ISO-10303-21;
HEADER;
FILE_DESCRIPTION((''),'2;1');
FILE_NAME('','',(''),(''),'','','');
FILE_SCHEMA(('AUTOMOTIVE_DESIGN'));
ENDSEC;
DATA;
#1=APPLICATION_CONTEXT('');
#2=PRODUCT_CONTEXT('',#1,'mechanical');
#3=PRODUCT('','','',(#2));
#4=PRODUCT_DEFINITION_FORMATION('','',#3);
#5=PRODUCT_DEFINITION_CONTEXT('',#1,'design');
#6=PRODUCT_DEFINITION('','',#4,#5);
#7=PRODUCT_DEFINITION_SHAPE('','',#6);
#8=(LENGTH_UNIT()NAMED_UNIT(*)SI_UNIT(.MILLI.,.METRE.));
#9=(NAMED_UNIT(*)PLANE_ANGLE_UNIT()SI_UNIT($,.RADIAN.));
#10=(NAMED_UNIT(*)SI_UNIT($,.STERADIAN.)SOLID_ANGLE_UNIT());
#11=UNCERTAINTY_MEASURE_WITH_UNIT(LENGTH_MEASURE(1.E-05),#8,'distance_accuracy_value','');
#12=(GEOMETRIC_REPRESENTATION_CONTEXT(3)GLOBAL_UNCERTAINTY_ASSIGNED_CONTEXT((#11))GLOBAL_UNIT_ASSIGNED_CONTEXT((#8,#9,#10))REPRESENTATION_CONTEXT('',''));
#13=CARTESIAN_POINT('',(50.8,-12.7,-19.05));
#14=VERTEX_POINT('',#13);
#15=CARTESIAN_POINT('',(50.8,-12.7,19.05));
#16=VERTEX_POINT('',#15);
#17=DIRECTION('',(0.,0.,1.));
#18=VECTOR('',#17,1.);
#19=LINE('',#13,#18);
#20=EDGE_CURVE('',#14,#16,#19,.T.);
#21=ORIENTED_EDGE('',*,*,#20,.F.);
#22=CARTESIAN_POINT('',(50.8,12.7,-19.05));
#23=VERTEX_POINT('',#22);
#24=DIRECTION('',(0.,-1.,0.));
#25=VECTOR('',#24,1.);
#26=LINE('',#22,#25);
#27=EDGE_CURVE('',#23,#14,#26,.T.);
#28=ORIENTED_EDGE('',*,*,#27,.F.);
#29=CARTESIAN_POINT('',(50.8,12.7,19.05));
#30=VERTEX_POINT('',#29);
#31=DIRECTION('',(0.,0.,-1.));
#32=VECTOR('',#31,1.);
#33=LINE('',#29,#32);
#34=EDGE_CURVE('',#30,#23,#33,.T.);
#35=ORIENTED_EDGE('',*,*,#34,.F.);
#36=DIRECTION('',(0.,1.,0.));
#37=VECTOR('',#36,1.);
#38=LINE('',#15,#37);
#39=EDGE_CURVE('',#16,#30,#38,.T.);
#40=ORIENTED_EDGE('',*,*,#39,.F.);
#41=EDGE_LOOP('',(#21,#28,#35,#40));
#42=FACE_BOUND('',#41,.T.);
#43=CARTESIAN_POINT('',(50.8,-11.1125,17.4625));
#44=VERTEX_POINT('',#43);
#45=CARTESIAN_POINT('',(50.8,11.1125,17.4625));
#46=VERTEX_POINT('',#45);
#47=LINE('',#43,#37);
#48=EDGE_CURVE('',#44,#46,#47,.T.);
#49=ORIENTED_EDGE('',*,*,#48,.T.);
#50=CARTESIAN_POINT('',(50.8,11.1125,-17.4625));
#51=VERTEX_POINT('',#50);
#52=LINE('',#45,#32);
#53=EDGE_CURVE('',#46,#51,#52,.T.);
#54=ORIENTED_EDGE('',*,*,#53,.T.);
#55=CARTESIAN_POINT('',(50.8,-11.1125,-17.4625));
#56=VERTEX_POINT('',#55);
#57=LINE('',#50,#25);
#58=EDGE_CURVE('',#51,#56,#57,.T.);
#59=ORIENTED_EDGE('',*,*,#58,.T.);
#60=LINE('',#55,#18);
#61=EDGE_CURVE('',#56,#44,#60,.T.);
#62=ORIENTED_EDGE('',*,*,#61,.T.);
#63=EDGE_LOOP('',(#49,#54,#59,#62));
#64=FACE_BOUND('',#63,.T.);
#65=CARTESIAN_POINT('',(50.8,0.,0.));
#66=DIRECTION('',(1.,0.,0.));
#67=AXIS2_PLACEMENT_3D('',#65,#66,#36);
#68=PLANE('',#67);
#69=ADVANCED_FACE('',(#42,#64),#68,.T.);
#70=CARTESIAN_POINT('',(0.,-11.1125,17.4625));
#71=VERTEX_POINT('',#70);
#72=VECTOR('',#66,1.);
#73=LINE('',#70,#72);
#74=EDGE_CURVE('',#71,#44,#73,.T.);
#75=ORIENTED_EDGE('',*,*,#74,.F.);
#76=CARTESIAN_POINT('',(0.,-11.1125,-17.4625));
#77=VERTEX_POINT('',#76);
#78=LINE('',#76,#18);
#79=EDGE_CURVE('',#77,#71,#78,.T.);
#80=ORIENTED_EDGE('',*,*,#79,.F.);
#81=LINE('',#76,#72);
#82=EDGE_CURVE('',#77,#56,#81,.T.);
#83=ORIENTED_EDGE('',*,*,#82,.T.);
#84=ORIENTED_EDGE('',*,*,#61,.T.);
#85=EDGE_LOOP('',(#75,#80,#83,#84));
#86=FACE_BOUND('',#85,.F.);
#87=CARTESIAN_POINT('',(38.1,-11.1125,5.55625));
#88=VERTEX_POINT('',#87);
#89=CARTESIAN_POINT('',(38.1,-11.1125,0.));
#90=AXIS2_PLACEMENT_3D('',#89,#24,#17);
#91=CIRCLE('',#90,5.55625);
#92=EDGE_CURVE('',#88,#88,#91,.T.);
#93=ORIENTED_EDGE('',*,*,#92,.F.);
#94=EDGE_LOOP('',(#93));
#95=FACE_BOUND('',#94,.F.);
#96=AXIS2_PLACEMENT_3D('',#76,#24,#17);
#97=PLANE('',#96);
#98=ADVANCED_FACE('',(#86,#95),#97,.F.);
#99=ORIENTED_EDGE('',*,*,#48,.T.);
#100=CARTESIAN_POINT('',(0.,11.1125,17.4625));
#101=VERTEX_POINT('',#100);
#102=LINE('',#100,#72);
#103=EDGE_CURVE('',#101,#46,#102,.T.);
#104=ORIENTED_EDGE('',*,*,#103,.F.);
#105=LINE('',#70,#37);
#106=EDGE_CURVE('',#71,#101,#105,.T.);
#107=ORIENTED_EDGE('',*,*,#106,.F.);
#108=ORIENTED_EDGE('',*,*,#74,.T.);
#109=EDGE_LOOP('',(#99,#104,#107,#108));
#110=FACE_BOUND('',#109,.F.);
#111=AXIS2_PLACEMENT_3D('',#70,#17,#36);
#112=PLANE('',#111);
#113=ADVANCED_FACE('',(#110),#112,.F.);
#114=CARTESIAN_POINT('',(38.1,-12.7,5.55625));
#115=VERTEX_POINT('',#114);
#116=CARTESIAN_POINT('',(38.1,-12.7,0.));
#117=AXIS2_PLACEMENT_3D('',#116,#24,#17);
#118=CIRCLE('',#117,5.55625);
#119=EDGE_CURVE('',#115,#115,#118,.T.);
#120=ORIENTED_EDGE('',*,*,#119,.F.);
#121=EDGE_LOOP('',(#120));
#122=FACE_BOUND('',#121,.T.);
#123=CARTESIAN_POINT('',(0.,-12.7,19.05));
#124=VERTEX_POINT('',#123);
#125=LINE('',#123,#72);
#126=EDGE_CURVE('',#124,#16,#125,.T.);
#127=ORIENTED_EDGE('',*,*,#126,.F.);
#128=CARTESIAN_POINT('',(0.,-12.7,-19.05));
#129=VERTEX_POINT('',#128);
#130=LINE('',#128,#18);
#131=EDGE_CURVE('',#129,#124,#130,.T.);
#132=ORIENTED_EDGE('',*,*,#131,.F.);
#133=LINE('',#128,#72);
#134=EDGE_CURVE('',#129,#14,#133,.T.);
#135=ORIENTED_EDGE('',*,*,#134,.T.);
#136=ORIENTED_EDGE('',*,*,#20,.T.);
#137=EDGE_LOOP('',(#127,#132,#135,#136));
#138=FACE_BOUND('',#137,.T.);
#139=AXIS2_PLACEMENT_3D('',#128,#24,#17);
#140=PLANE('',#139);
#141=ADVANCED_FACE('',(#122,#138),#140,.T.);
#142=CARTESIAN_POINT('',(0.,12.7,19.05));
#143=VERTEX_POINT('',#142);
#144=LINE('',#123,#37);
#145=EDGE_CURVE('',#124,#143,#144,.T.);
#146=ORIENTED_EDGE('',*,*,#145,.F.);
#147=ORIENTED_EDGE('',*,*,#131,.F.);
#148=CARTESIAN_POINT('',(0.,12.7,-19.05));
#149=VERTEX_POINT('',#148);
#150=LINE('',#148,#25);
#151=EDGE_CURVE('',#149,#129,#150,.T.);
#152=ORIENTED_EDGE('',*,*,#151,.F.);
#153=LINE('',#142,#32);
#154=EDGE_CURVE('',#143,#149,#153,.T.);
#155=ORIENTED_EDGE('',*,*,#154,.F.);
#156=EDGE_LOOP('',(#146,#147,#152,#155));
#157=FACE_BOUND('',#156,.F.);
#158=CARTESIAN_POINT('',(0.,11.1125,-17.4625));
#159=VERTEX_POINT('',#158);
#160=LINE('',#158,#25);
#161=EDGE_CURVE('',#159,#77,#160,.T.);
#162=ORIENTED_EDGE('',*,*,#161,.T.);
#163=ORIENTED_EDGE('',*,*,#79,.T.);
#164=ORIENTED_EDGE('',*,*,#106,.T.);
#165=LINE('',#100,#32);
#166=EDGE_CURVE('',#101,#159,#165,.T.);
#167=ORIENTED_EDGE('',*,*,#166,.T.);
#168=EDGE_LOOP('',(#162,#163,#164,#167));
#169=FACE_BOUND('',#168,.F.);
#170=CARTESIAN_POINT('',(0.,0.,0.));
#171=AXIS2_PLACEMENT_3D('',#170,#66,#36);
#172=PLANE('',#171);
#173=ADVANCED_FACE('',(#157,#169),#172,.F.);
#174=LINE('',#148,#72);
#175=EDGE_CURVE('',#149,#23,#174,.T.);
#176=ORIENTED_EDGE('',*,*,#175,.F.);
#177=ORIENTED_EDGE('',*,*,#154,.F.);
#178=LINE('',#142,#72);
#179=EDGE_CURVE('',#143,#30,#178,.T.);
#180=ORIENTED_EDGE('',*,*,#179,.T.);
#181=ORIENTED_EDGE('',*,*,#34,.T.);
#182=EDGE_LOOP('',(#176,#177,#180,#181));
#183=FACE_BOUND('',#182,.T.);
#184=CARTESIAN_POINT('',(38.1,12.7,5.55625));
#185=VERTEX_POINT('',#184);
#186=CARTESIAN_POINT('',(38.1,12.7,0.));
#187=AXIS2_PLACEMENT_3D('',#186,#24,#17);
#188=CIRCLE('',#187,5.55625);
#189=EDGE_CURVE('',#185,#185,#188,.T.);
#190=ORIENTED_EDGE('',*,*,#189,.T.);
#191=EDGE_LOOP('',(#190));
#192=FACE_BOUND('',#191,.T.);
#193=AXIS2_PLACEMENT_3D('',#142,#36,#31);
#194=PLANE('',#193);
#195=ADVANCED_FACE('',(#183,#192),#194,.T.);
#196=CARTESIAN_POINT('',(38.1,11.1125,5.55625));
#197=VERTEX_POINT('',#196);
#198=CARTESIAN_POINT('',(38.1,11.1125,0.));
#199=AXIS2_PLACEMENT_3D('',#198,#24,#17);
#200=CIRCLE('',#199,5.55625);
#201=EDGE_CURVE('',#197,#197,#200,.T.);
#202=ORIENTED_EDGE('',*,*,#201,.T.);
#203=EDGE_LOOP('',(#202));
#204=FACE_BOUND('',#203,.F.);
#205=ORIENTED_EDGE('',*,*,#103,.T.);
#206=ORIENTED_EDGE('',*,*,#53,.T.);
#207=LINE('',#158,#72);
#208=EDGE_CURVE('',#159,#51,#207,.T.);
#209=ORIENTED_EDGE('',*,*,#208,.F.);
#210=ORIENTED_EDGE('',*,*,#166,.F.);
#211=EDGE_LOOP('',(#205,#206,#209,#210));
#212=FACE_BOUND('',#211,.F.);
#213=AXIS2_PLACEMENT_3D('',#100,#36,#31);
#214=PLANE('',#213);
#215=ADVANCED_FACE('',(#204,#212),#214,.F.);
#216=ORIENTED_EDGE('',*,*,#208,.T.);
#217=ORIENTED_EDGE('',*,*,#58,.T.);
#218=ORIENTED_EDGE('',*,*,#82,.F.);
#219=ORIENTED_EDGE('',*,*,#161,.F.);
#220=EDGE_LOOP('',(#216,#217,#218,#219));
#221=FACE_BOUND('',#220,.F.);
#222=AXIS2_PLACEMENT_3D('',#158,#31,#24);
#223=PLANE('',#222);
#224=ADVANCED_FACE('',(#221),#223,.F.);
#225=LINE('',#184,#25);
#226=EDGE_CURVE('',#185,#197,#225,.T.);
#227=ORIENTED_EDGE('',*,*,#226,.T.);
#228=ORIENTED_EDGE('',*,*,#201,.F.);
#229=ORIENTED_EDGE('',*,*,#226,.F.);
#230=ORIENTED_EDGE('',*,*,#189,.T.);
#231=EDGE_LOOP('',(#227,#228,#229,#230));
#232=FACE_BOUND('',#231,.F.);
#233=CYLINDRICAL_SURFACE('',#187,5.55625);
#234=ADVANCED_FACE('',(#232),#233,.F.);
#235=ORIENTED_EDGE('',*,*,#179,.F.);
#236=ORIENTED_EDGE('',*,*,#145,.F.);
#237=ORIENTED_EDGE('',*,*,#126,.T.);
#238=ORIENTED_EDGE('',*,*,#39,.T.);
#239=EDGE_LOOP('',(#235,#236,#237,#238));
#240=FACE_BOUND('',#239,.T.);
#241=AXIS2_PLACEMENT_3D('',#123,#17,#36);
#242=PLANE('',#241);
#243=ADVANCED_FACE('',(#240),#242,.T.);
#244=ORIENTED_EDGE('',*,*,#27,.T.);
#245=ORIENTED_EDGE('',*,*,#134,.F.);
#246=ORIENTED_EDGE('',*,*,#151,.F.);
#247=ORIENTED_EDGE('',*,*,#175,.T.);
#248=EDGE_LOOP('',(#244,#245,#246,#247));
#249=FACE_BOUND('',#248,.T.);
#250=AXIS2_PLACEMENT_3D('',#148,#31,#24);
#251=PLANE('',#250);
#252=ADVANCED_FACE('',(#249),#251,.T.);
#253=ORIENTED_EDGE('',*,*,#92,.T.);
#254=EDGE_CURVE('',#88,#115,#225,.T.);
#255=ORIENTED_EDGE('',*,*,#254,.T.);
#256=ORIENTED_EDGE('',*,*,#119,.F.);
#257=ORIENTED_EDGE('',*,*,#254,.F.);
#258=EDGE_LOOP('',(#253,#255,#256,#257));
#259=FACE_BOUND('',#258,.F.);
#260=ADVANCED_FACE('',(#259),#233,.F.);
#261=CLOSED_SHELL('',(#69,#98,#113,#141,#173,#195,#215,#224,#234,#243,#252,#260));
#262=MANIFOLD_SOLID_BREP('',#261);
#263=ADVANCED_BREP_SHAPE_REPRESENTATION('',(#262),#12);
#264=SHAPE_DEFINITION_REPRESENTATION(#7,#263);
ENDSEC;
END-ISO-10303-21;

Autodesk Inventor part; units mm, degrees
ref_plane "Work Plane3" through (0, 12.7, 0) normal (0, 1, 0) x (-1, 0, 0)
ref_plane "Start Plane" through (0, 0, 0) normal (1, 0, 0) x (0, 1, 0)
ref_plane "End Plane" through (50.8, 0, 0) normal (1, 0, 0) x (0, 1, 0)
sketch "Sketch" plane through (0, 0, 0) normal (1, 0, 0) x (0, 1, 0)
  line L0 (-12.7, 19.05) -> (12.7, 19.05)
  line L1 (12.7, 19.05) -> (12.7, -19.05)
  line L2 (12.7, -19.05) -> (-12.7, -19.05)
  line L3 (-12.7, -19.05) -> (-12.7, 19.05)
  line L4 (-12.7, 19.05) -> (12.7, -19.05) construction
  line L5 (12.7, 19.05) -> (-12.7, -19.05) construction
  line L6 (-11.1125, 17.4625) -> (11.1125, 17.4625)
  line L7 (11.1125, 17.4625) -> (11.1125, -17.4625)
  line L8 (11.1125, -17.4625) -> (-11.1125, -17.4625)
  line L9 (-11.1125, -17.4625) -> (-11.1125, 17.4625)
  line L10 (-11.1125, 17.4625) -> (11.1125, -17.4625) construction
  line L11 (11.1125, 17.4625) -> (-11.1125, -17.4625) construction
  point P0 (0, 0)
  dimension "d0" = 38.1
  dimension "d1" = 25.4
  dimension "d2" = 1.5875
  dimension "d3" = 1.5875
extrude "Body" add sketch "Sketch" along normal up to surface (50.8 mm away) from surface at 0
sketch "Sketch8" plane through (0, 0, 0) normal (1, 0, 0) x (0, 1, 0)
  line L0 (0, 0) -> (10, 0)
ref_plane "Work Plane6" through (0, 0, 0) normal (0, 0, -1) x (0, 1, 0)
sketch "Sketch9" plane through (0, 0, 0) normal (0, 0, -1) x (0, 1, 0)
  line L0 (-17.78, 0) -> (17.78, 0)
  line L1 (-17.78, 50.8) -> (17.78, 50.8)
  dimension "d21" = 50.8
sketch "Sketch5" plane through (0, 12.7, -19.05) normal (0, 1, 0) x (1, 0, 0)
  line L0 (0, -38.1) -> (0, 0) projected
  point P0 (0, -19.05)
  point P1 (38.1, -19.05)
  dimension "d22" = 38.1
hole "Hole2" at (38.1, 12.7, 0) direction (0, -1, 0) diameter 11.1125 end through all
equation "\"d3\" = d2"
equation "\"G_OFFSET_START\" = 0"
equation "\"G_OFFSET_END\" = 0"
equation "\"d17\" = d4 + G_OFFSET_END"
equation "\"G_L\" = d21"
equation "\"d4\" = 50.8"
properties part number "1606067101407"
